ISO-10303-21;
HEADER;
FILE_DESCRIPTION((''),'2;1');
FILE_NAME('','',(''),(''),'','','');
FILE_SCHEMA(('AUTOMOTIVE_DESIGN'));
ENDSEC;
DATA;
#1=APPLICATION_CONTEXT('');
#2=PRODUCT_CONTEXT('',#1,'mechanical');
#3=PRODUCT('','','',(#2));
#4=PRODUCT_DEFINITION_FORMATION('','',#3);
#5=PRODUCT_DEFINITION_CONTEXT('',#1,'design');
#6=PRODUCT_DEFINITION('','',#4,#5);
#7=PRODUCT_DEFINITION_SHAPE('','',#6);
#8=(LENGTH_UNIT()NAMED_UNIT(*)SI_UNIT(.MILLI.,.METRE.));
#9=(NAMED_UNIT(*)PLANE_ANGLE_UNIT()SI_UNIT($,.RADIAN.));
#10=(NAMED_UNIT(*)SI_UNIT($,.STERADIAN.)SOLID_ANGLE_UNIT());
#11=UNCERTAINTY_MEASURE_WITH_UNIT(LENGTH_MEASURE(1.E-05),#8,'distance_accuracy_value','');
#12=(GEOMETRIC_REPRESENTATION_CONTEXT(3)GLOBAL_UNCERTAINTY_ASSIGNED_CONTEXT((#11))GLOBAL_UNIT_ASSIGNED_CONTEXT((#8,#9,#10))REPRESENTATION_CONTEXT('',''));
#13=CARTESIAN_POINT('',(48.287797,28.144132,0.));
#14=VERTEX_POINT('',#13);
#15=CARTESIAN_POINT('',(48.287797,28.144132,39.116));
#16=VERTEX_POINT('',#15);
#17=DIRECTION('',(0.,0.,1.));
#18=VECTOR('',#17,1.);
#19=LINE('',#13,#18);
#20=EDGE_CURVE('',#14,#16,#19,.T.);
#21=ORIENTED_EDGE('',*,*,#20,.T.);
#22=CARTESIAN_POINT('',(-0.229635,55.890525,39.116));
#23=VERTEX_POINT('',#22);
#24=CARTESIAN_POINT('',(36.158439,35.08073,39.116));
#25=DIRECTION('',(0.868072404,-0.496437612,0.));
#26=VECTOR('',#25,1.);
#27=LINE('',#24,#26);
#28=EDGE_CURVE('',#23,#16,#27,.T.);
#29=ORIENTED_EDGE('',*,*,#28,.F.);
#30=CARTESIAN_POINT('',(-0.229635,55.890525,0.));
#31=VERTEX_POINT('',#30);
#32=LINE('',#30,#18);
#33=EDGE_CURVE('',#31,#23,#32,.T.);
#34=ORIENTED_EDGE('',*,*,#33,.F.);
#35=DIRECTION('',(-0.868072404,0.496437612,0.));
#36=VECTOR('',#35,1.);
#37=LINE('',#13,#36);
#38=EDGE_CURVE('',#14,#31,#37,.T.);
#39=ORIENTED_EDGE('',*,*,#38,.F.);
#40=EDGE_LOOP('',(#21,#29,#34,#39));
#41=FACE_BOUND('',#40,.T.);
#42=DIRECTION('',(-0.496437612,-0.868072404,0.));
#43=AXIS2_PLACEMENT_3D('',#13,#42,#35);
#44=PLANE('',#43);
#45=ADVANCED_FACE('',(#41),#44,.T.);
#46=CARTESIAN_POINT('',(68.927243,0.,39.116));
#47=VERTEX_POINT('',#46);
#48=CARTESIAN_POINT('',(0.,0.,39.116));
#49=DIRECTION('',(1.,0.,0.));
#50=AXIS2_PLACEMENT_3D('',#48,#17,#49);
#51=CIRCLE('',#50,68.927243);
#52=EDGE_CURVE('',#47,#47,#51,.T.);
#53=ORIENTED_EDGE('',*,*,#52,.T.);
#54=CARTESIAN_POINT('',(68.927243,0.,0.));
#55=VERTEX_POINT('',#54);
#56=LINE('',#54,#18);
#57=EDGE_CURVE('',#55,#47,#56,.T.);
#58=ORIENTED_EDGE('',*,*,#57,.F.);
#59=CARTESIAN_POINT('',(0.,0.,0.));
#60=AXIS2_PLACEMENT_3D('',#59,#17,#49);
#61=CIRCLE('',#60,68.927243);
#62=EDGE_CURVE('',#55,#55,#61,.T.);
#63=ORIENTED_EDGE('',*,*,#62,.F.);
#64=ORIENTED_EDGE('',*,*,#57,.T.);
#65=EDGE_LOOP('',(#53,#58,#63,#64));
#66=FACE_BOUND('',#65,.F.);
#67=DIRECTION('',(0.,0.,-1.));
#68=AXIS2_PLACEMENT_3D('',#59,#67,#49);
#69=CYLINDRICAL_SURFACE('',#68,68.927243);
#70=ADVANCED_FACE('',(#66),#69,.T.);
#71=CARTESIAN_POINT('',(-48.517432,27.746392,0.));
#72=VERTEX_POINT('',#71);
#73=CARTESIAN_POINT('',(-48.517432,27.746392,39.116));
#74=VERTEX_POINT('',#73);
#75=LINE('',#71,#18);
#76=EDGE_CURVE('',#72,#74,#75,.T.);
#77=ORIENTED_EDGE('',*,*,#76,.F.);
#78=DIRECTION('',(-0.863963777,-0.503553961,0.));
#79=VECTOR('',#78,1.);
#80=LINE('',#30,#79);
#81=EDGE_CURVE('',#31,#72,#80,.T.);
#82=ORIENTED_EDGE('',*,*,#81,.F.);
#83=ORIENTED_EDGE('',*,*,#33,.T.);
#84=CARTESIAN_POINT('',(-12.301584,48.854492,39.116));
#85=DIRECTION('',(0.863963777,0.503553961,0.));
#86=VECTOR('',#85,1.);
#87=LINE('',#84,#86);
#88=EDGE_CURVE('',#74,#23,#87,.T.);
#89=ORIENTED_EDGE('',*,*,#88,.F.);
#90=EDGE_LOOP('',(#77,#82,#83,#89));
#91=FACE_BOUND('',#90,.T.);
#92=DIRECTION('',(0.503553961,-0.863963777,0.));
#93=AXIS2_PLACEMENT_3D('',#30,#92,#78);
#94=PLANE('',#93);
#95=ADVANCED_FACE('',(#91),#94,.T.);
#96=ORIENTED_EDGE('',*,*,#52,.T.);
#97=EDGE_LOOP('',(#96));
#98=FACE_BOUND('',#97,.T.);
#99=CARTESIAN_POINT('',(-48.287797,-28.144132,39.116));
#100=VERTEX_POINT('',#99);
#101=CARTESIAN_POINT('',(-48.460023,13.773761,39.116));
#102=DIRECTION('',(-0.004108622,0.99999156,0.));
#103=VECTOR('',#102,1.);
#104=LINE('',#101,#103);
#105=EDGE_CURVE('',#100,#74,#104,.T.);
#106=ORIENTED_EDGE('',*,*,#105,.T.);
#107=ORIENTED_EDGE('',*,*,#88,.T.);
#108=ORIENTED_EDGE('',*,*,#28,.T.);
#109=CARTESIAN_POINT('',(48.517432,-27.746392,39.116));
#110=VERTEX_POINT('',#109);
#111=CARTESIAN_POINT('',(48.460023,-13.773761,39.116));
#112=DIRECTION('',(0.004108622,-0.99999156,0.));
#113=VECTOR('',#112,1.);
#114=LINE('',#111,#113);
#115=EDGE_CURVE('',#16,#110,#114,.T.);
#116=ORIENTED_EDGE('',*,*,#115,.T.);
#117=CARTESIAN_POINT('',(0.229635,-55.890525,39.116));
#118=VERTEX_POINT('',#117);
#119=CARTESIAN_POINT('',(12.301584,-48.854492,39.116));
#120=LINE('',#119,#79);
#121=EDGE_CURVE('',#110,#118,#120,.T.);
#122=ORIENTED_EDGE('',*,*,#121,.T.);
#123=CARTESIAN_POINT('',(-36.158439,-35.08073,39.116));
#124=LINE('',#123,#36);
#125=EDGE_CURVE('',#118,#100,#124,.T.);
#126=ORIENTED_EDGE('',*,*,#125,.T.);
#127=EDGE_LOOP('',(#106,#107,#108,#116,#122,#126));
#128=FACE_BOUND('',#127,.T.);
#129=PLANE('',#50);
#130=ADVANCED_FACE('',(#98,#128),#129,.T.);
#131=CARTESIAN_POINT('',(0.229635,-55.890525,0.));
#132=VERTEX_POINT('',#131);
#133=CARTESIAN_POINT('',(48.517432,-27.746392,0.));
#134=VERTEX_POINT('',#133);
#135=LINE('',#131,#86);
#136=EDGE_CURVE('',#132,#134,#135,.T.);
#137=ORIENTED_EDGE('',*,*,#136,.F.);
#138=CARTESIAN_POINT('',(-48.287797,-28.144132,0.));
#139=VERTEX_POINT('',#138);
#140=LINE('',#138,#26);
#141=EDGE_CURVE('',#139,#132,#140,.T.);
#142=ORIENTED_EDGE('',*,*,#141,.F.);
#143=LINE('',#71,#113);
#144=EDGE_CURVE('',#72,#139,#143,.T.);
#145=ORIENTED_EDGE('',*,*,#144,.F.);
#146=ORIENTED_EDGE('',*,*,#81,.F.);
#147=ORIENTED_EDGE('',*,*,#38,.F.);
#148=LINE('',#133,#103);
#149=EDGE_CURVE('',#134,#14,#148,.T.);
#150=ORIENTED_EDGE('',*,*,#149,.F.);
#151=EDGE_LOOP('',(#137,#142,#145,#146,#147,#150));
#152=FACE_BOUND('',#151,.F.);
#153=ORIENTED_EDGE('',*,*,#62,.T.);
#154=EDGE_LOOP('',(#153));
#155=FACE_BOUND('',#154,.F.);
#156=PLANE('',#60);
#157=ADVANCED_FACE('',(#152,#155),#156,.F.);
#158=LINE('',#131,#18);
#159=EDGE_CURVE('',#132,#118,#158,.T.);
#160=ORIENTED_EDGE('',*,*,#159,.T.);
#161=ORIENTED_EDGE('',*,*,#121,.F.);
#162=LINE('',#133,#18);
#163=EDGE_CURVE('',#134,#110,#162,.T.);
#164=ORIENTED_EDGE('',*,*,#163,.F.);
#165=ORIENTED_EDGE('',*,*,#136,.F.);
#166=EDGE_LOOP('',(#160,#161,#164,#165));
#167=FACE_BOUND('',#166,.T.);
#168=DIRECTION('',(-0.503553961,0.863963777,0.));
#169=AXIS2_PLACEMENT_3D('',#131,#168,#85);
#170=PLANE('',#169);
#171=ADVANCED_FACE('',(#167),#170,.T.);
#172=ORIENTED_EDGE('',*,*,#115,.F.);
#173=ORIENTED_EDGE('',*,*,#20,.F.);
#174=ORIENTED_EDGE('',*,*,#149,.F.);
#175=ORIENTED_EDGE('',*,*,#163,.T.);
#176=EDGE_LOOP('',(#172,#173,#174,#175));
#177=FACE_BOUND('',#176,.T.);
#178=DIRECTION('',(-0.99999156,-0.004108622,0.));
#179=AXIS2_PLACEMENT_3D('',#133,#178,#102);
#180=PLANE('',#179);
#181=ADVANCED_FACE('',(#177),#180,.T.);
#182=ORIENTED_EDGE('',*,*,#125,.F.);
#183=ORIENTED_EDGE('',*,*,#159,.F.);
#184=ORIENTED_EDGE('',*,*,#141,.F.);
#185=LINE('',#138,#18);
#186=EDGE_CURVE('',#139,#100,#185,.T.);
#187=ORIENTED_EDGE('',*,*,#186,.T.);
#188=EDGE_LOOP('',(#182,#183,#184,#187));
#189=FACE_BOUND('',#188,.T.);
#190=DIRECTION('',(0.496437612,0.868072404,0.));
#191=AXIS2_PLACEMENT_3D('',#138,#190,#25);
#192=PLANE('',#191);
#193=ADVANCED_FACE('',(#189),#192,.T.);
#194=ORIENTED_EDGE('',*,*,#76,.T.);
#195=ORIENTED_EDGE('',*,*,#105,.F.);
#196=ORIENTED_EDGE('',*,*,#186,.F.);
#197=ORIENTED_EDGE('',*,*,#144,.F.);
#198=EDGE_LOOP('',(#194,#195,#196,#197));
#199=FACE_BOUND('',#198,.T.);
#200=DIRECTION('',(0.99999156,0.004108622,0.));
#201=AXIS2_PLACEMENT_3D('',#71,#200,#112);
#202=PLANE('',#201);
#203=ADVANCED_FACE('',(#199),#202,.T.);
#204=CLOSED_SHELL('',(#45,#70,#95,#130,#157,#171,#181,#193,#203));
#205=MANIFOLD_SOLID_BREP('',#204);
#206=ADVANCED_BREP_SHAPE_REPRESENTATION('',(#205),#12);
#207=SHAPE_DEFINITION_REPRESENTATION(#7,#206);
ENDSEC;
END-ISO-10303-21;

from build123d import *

# Parameters (mm, degrees)
F0_R     = 68.927243
F1_DEPTH = 39.116
F3_DEPTH = 39.117


with BuildPart() as f1:
    # F0 (on Top) → F1 (new body)
    with BuildSketch(Plane.XY):
        Circle(F0_R)
    extrude(amount=F1_DEPTH)

    # F2 (on Top) → F3 (cut, through all)
    with BuildSketch(Plane.XY):
        Polygon((-0.229635, 55.890525), (-48.517432, 27.746392), (-48.287797, -28.144132), (0.229635, -55.890525), (48.517432, -27.746392), (48.287797, 28.144132), align=None)
    extrude(amount=F3_DEPTH, mode=Mode.SUBTRACT)


solid = f1.part
